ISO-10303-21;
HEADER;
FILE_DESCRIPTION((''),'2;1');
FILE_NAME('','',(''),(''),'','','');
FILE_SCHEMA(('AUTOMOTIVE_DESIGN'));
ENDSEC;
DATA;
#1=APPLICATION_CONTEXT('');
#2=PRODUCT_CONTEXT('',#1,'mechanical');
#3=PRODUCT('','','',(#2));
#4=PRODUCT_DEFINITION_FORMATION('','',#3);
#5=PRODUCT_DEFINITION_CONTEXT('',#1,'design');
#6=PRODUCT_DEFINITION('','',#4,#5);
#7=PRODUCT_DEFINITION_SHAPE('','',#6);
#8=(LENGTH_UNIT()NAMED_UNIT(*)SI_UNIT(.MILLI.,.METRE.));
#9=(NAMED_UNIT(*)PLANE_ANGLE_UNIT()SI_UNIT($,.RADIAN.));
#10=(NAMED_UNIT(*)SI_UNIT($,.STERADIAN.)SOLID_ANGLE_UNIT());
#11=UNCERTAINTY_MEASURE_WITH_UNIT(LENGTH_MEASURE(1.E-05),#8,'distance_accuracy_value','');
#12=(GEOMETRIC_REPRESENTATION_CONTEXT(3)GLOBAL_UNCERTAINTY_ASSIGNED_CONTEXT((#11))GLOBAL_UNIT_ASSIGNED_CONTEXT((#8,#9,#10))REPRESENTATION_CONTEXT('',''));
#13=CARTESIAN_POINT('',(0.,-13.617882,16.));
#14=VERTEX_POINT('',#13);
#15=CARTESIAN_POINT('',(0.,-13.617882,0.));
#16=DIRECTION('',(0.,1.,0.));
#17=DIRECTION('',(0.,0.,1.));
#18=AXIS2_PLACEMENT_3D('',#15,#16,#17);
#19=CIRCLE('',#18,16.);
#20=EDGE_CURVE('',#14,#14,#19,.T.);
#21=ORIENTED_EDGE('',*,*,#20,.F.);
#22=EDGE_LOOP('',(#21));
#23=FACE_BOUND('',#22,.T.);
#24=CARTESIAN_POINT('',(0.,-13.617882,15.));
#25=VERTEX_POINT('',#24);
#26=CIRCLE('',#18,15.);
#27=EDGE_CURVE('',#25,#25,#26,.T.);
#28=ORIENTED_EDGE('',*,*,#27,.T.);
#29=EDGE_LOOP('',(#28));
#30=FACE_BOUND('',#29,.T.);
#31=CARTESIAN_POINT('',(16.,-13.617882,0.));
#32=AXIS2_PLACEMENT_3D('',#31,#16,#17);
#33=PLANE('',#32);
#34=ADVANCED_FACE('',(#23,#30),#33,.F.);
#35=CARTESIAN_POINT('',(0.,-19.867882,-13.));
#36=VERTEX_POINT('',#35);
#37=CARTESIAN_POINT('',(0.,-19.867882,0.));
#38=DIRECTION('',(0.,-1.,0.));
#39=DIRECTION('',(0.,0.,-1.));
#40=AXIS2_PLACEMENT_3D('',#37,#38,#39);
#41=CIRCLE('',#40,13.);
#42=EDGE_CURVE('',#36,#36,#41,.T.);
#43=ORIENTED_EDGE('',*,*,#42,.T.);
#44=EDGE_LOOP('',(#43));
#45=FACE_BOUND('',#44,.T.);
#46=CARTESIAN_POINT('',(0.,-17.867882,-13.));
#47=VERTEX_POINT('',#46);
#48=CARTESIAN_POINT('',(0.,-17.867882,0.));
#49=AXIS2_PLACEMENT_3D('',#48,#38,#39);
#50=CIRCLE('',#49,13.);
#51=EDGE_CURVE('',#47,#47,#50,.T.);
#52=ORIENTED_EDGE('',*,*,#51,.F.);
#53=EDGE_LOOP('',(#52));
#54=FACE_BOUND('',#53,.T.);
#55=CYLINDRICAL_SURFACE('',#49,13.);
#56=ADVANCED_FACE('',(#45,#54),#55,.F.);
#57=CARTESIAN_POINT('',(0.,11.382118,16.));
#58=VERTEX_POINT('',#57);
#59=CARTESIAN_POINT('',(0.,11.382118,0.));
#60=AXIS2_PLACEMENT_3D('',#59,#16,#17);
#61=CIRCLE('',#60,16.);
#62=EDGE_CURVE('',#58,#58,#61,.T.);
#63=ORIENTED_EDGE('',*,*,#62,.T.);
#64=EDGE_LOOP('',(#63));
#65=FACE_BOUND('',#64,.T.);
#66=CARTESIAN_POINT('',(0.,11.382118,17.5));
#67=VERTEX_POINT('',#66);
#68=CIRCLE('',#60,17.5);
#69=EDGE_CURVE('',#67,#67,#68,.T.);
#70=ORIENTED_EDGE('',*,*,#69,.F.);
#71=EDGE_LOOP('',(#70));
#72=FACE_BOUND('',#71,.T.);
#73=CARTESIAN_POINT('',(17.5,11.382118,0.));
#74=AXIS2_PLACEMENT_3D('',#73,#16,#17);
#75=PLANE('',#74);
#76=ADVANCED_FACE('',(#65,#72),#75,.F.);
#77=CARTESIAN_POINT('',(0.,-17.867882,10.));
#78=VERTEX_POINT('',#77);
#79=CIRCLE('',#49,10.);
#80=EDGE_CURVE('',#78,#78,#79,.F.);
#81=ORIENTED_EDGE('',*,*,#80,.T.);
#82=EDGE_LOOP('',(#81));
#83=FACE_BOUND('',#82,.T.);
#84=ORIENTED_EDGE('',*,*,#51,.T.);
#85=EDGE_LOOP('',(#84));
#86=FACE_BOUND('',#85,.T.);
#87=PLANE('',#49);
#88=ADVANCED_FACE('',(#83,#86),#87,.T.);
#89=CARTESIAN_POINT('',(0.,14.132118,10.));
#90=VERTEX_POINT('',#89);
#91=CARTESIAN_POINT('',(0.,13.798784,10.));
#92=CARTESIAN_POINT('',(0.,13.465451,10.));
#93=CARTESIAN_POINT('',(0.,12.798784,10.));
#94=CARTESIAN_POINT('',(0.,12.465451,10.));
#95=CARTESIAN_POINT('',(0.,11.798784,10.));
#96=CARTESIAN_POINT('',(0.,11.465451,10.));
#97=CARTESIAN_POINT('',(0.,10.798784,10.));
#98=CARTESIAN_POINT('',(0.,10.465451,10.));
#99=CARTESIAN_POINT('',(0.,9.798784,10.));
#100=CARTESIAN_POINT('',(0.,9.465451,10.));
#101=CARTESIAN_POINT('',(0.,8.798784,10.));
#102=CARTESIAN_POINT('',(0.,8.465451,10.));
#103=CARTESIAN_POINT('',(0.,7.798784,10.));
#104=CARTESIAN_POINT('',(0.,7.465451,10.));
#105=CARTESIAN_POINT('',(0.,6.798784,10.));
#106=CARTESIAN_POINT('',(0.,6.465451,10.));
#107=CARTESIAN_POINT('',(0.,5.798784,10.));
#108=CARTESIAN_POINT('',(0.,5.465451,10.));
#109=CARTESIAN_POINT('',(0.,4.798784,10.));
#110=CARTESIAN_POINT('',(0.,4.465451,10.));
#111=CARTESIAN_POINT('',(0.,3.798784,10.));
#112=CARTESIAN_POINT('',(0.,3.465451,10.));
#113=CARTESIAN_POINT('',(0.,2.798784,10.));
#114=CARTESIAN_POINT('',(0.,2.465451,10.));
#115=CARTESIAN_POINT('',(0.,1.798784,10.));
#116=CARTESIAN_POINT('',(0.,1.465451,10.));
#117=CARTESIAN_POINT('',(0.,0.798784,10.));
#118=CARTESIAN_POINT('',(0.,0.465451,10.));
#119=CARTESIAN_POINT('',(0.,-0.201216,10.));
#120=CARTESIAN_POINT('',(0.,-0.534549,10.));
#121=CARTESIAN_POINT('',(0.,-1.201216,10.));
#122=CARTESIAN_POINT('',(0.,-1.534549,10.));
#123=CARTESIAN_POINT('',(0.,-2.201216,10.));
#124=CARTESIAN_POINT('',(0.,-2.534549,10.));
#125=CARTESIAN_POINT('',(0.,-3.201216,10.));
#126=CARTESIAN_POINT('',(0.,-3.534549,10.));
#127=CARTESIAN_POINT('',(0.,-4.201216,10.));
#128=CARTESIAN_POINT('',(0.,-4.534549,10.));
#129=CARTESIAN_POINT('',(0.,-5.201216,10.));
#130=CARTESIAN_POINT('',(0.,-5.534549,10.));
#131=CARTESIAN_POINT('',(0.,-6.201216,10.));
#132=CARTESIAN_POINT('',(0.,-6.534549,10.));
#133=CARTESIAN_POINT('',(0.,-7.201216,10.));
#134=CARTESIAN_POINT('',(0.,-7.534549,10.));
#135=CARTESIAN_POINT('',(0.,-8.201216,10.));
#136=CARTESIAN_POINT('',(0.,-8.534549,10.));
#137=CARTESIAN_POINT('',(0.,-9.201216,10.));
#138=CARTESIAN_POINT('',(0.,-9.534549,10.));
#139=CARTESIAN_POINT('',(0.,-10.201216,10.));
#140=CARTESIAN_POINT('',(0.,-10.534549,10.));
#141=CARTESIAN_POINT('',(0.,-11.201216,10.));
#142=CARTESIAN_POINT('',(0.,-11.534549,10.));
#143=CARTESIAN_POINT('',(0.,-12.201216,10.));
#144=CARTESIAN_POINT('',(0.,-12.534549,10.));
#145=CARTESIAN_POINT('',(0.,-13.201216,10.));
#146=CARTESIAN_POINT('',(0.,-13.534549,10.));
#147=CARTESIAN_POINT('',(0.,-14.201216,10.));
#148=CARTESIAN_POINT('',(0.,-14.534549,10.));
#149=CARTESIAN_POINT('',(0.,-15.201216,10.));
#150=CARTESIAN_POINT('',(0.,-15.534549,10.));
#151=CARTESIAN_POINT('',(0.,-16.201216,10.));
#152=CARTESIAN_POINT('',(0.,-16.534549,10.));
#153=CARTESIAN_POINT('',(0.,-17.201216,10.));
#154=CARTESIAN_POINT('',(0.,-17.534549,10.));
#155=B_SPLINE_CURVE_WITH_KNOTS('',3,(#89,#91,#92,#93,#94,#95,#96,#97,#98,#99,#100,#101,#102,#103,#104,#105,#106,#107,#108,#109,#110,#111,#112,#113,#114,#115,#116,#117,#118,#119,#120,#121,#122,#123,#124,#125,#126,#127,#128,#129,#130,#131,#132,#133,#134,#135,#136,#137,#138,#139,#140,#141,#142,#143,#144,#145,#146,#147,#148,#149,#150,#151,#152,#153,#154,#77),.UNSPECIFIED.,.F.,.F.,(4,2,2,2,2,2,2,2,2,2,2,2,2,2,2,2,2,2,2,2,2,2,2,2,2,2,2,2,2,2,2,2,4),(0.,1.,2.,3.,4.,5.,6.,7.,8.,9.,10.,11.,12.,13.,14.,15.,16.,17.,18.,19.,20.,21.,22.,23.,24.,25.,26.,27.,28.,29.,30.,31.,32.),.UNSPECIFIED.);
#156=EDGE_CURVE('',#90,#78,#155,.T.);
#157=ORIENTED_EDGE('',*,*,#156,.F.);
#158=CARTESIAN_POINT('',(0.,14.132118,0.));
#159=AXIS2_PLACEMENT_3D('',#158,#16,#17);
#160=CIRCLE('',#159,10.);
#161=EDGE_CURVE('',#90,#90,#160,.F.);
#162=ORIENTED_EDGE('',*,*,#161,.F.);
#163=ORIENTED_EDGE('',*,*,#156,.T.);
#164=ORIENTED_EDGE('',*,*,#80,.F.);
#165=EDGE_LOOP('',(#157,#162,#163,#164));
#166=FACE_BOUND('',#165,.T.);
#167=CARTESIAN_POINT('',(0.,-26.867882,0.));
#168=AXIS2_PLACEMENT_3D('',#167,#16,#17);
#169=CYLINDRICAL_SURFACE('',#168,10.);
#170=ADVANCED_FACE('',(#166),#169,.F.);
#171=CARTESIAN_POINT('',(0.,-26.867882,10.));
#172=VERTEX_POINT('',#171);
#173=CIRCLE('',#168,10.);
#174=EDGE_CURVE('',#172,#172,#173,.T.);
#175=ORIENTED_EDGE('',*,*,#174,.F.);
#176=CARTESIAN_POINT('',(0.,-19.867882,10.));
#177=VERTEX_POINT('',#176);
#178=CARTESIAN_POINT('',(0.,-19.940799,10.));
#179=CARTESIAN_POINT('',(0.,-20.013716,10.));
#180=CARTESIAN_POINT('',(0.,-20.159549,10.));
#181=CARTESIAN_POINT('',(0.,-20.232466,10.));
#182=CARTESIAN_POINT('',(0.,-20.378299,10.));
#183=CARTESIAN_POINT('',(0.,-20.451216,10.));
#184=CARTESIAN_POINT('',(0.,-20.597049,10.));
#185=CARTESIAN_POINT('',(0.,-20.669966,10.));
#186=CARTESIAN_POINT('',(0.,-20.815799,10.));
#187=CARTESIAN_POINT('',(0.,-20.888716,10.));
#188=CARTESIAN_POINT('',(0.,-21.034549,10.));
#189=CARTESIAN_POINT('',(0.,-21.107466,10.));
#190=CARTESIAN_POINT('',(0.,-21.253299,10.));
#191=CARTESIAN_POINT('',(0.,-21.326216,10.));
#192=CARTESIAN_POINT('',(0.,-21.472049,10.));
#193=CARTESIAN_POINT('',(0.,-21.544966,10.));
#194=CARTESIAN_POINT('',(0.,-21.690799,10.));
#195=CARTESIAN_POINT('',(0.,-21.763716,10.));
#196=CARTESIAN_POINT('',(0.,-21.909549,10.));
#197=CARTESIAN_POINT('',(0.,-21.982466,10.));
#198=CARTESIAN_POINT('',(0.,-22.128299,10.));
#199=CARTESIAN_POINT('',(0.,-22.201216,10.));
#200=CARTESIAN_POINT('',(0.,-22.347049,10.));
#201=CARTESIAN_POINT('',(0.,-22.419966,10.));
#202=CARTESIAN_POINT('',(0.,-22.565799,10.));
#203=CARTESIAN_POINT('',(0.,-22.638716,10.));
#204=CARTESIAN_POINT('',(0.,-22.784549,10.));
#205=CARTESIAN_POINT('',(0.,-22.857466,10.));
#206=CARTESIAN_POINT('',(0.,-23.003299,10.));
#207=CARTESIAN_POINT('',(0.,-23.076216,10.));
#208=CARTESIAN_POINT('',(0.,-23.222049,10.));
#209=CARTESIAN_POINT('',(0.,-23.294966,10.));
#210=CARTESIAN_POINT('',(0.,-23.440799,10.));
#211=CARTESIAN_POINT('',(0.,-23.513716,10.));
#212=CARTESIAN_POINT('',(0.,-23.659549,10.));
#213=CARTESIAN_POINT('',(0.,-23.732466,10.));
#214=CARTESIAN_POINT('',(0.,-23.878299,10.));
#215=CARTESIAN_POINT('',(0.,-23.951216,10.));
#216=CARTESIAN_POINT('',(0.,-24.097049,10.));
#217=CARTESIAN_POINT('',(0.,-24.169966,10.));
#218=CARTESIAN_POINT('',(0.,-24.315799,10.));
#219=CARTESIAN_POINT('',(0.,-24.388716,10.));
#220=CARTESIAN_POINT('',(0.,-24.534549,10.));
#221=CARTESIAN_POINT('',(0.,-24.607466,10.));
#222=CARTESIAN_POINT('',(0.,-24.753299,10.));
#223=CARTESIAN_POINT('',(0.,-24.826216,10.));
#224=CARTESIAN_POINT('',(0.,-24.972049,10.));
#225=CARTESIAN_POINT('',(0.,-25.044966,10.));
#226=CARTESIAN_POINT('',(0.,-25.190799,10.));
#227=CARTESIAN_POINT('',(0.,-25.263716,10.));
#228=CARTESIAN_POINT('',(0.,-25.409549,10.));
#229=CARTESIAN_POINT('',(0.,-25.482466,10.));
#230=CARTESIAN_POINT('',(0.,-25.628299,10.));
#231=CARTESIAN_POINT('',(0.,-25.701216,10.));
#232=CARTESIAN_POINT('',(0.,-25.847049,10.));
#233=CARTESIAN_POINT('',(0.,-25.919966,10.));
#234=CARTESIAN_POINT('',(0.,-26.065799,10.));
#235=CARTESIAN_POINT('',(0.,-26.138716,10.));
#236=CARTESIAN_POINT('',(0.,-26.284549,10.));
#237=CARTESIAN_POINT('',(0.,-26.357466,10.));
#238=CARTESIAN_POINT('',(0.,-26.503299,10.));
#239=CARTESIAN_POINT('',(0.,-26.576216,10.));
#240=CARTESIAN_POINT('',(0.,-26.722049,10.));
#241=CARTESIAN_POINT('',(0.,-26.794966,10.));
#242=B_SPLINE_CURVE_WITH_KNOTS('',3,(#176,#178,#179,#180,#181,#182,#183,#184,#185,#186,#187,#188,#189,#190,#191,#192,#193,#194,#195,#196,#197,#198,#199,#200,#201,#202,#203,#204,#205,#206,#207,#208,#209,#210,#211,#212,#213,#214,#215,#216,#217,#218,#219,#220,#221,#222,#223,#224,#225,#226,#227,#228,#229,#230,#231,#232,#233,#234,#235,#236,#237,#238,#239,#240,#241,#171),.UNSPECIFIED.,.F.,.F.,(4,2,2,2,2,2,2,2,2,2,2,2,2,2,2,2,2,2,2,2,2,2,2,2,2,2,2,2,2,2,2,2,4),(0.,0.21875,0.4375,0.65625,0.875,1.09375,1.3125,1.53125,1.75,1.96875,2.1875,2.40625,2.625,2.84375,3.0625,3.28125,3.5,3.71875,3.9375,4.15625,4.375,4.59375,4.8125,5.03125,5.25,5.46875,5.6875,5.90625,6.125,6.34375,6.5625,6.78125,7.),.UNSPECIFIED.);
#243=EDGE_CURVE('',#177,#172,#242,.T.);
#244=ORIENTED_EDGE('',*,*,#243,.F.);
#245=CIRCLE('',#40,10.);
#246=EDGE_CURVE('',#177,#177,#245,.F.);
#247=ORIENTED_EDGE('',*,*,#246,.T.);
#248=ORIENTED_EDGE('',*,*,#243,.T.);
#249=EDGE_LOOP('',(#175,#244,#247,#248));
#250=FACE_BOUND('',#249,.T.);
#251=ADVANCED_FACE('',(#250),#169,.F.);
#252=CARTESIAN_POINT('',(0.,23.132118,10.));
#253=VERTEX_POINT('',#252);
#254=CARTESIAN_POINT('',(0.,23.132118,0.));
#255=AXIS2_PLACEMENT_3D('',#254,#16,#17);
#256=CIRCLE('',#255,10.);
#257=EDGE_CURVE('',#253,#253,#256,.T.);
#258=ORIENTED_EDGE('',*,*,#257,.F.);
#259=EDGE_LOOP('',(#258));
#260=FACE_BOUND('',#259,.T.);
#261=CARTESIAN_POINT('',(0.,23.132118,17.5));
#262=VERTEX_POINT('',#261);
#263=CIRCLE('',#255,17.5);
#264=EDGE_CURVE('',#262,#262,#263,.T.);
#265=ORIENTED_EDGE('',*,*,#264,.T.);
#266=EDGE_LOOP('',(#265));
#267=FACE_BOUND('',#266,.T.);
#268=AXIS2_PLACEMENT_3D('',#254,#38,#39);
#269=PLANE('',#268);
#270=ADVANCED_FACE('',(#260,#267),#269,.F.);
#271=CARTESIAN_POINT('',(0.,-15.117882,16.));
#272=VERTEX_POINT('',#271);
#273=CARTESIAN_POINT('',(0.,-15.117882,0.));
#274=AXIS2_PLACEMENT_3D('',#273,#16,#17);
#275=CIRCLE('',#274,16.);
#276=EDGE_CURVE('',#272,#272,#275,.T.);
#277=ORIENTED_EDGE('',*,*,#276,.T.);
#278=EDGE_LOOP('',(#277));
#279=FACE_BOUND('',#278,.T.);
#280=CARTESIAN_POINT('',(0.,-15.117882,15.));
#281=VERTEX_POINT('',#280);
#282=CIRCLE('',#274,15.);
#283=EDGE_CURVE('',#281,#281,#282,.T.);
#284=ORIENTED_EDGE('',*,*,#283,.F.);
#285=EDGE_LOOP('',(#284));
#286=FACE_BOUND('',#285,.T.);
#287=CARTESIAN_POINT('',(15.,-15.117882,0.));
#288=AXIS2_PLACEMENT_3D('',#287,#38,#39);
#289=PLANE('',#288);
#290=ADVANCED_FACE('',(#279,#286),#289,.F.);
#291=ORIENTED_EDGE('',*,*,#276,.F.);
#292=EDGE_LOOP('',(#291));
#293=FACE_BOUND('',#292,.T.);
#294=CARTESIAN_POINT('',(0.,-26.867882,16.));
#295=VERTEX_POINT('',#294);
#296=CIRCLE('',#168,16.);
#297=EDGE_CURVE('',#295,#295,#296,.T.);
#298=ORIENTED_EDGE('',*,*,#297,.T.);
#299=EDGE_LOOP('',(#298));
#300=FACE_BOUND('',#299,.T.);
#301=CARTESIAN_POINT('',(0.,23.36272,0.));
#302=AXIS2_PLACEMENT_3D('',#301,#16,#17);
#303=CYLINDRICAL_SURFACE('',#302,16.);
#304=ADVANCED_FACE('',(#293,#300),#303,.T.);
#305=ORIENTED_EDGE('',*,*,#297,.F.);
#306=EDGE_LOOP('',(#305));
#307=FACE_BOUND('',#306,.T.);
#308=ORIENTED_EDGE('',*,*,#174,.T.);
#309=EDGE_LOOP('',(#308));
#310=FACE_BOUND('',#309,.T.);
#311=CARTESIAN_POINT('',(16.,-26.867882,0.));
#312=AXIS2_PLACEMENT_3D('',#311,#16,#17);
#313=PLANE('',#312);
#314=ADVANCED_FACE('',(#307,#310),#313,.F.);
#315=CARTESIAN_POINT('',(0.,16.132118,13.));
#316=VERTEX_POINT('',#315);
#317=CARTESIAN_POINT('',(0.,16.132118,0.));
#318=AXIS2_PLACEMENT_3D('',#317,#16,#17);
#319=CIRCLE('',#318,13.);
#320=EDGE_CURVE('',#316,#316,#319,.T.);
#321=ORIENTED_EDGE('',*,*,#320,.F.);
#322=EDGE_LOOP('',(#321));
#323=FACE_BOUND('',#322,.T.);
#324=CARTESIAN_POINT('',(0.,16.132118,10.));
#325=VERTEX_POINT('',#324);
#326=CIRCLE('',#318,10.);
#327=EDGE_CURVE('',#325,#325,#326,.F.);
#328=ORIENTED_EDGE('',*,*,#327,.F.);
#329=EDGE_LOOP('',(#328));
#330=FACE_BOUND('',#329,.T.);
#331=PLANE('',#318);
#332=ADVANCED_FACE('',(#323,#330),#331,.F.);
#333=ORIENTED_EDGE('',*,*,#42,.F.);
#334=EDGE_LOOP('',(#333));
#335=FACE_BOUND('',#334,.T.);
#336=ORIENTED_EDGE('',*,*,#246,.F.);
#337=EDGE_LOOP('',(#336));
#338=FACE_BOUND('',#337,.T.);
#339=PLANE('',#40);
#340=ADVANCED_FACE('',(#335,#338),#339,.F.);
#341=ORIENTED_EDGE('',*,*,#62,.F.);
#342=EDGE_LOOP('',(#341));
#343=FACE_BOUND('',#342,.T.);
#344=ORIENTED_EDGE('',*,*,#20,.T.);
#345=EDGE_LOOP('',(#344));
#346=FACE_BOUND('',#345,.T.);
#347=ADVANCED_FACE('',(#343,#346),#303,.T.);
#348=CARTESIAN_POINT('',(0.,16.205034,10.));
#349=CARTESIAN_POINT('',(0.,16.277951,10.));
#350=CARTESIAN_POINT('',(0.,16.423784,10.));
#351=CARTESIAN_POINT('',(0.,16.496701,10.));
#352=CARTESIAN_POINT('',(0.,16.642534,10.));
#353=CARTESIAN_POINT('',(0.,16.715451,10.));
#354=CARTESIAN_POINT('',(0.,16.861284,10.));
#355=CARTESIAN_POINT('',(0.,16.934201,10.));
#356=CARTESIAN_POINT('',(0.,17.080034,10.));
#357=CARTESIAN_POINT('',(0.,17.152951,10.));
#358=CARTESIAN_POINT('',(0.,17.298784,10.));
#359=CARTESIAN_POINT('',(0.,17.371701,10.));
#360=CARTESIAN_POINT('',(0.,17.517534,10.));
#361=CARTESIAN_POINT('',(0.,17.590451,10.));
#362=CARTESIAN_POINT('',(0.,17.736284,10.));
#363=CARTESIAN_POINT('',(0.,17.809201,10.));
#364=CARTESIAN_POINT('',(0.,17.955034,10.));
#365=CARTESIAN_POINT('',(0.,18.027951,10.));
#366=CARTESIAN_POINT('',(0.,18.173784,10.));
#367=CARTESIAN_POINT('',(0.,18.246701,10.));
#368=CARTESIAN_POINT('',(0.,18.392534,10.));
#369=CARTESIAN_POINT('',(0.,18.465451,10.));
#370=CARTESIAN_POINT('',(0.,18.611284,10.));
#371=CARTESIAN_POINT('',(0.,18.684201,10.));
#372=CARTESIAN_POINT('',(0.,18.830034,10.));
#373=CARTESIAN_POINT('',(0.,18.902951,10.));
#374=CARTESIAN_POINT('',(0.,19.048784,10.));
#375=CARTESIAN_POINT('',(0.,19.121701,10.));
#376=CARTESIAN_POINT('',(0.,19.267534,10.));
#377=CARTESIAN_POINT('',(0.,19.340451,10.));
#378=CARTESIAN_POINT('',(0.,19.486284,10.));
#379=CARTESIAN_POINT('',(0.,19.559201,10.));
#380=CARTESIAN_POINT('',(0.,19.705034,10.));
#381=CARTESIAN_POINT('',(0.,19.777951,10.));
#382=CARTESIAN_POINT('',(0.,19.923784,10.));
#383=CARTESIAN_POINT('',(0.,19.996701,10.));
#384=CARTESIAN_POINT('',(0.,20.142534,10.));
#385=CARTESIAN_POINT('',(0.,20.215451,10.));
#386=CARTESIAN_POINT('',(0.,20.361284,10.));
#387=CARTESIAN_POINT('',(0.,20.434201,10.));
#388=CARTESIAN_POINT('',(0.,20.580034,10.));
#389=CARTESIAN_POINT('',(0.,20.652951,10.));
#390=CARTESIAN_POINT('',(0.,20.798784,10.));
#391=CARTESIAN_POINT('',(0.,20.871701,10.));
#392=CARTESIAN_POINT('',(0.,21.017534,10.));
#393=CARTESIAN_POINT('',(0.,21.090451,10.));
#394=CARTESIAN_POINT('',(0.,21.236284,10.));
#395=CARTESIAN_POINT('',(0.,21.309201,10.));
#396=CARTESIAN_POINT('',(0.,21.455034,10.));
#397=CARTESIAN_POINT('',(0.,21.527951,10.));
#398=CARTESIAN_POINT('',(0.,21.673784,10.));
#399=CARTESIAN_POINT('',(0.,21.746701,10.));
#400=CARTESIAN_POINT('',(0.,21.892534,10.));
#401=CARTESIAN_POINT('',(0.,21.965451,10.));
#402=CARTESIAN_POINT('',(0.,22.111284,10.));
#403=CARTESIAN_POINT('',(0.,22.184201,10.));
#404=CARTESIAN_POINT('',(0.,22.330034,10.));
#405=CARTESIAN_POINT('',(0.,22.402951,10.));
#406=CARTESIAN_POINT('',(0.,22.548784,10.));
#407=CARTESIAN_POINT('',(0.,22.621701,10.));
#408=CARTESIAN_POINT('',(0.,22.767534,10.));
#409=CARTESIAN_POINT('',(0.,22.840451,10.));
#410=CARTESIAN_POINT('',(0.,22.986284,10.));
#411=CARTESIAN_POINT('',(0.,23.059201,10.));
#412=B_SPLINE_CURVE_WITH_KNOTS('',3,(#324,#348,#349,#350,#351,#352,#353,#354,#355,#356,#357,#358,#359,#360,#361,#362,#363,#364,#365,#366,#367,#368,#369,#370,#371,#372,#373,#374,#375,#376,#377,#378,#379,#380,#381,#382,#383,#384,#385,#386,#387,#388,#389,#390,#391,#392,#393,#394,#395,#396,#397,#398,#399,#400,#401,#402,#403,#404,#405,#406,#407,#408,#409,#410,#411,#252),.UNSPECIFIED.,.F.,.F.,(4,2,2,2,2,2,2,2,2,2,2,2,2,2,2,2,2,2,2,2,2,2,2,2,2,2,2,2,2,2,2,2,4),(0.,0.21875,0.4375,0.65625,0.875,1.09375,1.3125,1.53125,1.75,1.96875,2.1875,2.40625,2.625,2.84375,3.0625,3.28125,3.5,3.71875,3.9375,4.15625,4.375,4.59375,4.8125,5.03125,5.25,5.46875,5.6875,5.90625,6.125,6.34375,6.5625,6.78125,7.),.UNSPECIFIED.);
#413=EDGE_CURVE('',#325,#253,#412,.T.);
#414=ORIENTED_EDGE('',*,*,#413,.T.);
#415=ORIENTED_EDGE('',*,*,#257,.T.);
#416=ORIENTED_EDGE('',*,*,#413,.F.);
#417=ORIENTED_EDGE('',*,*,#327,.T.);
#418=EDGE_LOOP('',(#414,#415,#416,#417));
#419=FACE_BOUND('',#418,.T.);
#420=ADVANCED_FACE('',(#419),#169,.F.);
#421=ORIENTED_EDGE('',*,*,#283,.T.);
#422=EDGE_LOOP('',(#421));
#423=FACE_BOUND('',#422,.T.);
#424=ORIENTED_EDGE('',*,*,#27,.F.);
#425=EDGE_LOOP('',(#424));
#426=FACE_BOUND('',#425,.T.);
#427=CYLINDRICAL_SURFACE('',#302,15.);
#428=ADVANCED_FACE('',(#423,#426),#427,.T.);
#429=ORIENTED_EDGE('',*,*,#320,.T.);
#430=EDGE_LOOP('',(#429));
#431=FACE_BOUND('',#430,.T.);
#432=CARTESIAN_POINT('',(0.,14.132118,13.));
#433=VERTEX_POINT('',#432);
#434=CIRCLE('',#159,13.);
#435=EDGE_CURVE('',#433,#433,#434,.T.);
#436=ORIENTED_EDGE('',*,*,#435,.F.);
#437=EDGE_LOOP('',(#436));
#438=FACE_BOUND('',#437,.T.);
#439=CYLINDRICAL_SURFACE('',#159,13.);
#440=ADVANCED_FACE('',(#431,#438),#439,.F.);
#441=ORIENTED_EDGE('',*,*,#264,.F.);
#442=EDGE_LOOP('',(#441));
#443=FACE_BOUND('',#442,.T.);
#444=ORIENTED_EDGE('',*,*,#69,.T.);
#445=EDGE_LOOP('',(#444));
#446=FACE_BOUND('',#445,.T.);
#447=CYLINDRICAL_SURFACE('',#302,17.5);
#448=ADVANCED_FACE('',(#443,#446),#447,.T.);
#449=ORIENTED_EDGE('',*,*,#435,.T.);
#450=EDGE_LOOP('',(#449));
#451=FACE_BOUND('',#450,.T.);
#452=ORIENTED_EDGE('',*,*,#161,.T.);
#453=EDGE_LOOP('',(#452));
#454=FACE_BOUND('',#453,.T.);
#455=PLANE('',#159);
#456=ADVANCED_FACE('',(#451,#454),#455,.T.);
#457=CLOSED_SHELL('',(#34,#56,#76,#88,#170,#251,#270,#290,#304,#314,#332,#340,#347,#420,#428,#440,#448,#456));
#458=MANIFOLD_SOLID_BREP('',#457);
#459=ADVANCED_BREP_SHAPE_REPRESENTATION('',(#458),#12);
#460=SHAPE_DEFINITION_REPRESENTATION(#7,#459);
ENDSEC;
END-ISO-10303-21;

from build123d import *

# Parameters (mm, degrees)
SKETCH2_R          = 10
CUT_EXTRUDE1_DEPTH = 56.789784011
SKETCH3_R          = 13
CUT_EXTRUDE2_DEPTH = 2
CUT_EXTRUDE3_START = -2
SKETCH4_R          = 13
CUT_EXTRUDE3_DEPTH = 2


with BuildPart() as part:
    # Sketch1 → Revolve1 (revolve)
    with BuildSketch(Plane.XY, mode=Mode.PRIVATE) as revolve1_sk:
        Polygon((0, 23.132117765), (17.5, 23.132117765), (17.5, 11.382117765), (16, 11.382117765), (16, -13.617882235), (15, -13.617882235), (15, -15.117882235), (16, -15.117882235), (16, -26.867882235), (0, -26.867882235), align=None)
    revolve(revolve1_sk.sketch.rotate(Axis((0, 23.362720403, 0), (0, -1, 0)), 90), axis=Axis((0, 23.362720403, 0), (0, -1, 0)))

    # Sketch2 → Cut-Extrude1 (cut, through all)
    with BuildSketch(Plane(origin=(0, 23.132117765, 0), x_dir=(1, 0, 0), z_dir=(0, 1, 0))):
        with Locations(Location((0, 0, 0), (0, 0, 270))):
            Circle(SKETCH2_R)
    extrude(amount=-CUT_EXTRUDE1_DEPTH, mode=Mode.SUBTRACT)

    # Sketch3 → Cut-Extrude2 (cut)
    with BuildSketch(Plane(origin=(0, 16.132117765, 0), x_dir=(1, 0, 0), z_dir=(0, 1, 0))):
        with Locations(Location((0, 0, 0), (0, 0, 270))):
            Circle(SKETCH3_R)
    extrude(amount=-CUT_EXTRUDE2_DEPTH, mode=Mode.SUBTRACT)

    # Sketch4 → Cut-Extrude3 (cut)
    with BuildSketch(Plane(origin=(0, -19.867882235, 0), x_dir=(-1, 0, 0), z_dir=(0, -1, 0)).offset(CUT_EXTRUDE3_START)):
        with Locations(Location((0, 0, 0), (0, 0, 270))):
            Circle(SKETCH4_R)
    extrude(amount=CUT_EXTRUDE3_DEPTH, mode=Mode.SUBTRACT)


solid = part.part
